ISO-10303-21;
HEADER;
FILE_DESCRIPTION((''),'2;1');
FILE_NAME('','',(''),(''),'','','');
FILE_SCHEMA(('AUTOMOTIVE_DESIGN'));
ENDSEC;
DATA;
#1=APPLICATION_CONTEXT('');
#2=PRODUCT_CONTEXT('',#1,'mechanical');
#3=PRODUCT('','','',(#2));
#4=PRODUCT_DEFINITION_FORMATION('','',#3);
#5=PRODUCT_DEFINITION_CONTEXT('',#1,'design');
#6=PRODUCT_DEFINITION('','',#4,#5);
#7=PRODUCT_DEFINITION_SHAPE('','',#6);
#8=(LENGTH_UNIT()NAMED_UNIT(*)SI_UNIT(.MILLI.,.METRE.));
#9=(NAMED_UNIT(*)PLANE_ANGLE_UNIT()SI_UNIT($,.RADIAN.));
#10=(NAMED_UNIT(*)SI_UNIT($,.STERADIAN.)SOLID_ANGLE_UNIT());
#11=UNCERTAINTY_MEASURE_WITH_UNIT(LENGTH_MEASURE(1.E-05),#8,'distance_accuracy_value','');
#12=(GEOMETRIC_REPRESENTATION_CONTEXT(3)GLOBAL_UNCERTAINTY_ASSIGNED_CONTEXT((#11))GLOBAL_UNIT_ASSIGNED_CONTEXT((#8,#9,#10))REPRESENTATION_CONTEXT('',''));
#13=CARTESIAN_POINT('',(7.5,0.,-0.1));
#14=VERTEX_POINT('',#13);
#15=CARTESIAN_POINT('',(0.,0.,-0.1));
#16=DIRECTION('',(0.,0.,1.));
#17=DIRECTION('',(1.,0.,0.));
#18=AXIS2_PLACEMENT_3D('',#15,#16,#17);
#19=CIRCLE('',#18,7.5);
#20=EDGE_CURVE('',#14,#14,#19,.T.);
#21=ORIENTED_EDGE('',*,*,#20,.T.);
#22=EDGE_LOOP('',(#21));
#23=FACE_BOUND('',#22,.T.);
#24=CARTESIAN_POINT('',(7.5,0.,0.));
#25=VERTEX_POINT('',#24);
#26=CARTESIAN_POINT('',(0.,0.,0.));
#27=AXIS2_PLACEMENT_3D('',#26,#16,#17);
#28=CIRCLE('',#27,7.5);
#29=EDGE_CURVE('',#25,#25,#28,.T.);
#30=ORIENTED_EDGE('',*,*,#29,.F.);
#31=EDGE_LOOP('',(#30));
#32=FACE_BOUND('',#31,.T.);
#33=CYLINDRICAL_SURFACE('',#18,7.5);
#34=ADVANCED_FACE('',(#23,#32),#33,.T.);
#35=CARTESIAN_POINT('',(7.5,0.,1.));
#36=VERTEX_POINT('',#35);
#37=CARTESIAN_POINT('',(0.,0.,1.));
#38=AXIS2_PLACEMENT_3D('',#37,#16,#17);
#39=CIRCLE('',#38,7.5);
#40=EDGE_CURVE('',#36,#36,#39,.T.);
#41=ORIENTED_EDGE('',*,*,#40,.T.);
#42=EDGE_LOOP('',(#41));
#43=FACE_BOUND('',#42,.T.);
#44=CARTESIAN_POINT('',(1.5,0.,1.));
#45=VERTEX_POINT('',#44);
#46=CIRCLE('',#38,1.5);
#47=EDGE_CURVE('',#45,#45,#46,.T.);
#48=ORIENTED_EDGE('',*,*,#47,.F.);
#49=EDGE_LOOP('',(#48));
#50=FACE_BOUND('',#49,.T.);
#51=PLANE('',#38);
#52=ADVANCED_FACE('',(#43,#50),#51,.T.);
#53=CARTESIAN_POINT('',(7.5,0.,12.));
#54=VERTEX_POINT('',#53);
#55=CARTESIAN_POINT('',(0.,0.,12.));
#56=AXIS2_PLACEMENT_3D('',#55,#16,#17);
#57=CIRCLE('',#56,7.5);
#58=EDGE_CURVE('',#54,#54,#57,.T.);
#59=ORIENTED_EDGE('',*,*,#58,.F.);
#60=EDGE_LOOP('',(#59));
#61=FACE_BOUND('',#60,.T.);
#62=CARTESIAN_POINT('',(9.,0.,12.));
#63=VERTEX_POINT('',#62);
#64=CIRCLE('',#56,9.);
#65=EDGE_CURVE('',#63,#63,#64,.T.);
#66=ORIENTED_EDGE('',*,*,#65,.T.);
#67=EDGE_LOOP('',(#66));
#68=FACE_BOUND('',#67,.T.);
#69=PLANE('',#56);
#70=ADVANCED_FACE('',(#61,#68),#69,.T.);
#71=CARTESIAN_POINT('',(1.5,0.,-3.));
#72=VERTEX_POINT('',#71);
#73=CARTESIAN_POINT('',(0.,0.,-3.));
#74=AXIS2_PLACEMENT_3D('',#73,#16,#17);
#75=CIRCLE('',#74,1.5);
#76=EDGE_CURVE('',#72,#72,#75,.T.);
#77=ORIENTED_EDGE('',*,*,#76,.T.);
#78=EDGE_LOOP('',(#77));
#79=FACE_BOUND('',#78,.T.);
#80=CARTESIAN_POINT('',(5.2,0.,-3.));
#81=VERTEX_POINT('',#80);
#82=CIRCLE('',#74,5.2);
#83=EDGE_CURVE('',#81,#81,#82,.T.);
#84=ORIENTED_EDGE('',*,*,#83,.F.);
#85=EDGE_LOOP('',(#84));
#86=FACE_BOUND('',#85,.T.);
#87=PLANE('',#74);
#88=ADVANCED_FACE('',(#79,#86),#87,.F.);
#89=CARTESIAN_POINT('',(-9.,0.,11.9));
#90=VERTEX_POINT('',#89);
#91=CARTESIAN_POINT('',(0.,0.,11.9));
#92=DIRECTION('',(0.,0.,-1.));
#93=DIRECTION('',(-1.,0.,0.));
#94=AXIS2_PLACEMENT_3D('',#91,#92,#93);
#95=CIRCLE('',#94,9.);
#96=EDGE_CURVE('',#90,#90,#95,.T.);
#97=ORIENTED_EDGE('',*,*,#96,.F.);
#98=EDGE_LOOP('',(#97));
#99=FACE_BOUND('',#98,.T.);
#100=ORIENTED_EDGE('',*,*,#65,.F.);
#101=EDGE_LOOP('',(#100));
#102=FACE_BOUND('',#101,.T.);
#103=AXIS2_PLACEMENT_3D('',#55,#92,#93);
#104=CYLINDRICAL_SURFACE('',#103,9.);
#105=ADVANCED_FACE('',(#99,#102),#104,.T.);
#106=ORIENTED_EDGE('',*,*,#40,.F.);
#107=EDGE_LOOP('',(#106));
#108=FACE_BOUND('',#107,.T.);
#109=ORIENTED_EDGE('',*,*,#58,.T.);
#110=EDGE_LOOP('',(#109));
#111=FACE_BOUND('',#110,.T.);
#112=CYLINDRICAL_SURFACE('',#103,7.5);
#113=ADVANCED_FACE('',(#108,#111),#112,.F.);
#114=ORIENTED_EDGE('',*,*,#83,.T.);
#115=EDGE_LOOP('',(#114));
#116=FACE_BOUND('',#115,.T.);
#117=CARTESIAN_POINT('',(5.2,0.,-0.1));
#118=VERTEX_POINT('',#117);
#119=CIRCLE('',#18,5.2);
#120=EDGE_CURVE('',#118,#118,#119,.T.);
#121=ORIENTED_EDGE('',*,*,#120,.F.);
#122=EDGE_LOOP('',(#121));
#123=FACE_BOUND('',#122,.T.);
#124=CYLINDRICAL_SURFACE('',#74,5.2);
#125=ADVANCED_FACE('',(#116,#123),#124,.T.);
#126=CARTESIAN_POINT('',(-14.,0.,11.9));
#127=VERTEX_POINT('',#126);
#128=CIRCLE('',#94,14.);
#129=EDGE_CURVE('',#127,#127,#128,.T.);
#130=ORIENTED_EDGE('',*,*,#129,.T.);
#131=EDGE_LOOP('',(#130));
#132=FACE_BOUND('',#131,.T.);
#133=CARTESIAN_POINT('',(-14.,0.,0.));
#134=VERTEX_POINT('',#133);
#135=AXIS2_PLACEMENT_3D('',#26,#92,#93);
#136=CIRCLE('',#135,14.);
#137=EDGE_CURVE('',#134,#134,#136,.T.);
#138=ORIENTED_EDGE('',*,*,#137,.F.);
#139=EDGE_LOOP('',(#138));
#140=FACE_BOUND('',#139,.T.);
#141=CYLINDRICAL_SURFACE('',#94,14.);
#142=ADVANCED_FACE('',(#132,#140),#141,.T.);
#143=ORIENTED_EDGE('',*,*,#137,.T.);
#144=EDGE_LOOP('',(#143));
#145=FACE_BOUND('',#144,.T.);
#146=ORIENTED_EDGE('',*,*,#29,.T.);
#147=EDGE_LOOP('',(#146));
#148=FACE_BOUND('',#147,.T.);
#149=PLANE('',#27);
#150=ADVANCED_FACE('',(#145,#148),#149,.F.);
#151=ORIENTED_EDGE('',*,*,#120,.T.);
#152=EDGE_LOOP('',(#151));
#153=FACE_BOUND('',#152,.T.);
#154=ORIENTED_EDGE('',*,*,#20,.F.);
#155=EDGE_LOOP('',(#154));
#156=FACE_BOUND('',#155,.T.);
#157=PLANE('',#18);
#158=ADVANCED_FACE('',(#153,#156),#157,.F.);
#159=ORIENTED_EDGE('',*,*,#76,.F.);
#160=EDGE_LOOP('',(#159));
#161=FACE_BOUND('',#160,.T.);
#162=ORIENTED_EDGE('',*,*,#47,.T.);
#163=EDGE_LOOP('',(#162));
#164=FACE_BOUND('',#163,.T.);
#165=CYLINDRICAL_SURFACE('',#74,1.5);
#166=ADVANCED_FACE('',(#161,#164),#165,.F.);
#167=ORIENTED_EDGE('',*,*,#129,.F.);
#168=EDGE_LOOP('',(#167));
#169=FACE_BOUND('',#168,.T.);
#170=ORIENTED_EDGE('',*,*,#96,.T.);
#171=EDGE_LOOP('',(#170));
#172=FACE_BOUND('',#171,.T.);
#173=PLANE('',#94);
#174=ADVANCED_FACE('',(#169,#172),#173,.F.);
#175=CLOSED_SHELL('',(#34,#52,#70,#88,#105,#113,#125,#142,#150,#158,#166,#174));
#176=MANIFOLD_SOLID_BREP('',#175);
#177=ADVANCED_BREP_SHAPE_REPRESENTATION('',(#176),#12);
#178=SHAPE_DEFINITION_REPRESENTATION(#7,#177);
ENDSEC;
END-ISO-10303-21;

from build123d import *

# Parameters (mm, degrees)
CROQUIS1_R                   = 9
CROQUIS1_R_2                 = 7.5
SALIENTE_EXTRUIR1_DEPTH      = 12
SALIENTE_EXTRUIR2_DEPTH      = 1
SALIENTE_EXTRUIR2_DEPTH_BACK = 0.1
CROQUIS2_R                   = 7.5
CROQUIS3_R                   = 5.2
CROQUIS3_R_2                 = 1.5
SALIENTE_EXTRUIR4_DEPTH      = 3
CROQUIS4_R                   = 14
CROQUIS4_R_2                 = 9
SALIENTE_EXTRUIR5_DEPTH      = 11.9
CORTAR_EXTRUIR1_START        = -15
CROQUIS6_R                   = 1.5
CORTAR_EXTRUIR1_DEPTH        = 15


with BuildPart() as part:
    # Croquis1 → Saliente-Extruir1 (new body)
    with BuildSketch(Plane.XY):
        Circle(CROQUIS1_R)
        Circle(CROQUIS1_R_2, mode=Mode.SUBTRACT)
    extrude(amount=SALIENTE_EXTRUIR1_DEPTH)

    # Croquis2 → Saliente-Extruir2 (add, two sides: drawn at the far end of the back side and taken through both)
    with BuildSketch(Plane.XY.offset(-SALIENTE_EXTRUIR2_DEPTH_BACK)):
        Circle(CROQUIS2_R)
    extrude(amount=SALIENTE_EXTRUIR2_DEPTH + SALIENTE_EXTRUIR2_DEPTH_BACK)

    # Croquis3 → Saliente-Extruir4 (add)
    with BuildSketch(Plane.XY):
        Circle(CROQUIS3_R)
        Circle(CROQUIS3_R_2, mode=Mode.SUBTRACT)
    extrude(amount=-SALIENTE_EXTRUIR4_DEPTH)

    # Croquis4 → Saliente-Extruir5 (add)
    with BuildSketch(Plane(origin=(0, 0, 0), x_dir=(-1, 0, 0), z_dir=(0, 0, -1))):
        Circle(CROQUIS4_R)
        Circle(CROQUIS4_R_2, mode=Mode.SUBTRACT)
    extrude(amount=-SALIENTE_EXTRUIR5_DEPTH)

    # Croquis6 → Cortar-Extruir1 (cut)
    with BuildSketch(Plane(origin=(0, 0, -3), x_dir=(-1, 0, 0), z_dir=(0, 0, -1)).offset(CORTAR_EXTRUIR1_START)):
        with Locations(Location((0, 0, 0), (0, 0, 180))):
            Circle(CROQUIS6_R)
    extrude(amount=CORTAR_EXTRUIR1_DEPTH, mode=Mode.SUBTRACT)


solid = part.part
